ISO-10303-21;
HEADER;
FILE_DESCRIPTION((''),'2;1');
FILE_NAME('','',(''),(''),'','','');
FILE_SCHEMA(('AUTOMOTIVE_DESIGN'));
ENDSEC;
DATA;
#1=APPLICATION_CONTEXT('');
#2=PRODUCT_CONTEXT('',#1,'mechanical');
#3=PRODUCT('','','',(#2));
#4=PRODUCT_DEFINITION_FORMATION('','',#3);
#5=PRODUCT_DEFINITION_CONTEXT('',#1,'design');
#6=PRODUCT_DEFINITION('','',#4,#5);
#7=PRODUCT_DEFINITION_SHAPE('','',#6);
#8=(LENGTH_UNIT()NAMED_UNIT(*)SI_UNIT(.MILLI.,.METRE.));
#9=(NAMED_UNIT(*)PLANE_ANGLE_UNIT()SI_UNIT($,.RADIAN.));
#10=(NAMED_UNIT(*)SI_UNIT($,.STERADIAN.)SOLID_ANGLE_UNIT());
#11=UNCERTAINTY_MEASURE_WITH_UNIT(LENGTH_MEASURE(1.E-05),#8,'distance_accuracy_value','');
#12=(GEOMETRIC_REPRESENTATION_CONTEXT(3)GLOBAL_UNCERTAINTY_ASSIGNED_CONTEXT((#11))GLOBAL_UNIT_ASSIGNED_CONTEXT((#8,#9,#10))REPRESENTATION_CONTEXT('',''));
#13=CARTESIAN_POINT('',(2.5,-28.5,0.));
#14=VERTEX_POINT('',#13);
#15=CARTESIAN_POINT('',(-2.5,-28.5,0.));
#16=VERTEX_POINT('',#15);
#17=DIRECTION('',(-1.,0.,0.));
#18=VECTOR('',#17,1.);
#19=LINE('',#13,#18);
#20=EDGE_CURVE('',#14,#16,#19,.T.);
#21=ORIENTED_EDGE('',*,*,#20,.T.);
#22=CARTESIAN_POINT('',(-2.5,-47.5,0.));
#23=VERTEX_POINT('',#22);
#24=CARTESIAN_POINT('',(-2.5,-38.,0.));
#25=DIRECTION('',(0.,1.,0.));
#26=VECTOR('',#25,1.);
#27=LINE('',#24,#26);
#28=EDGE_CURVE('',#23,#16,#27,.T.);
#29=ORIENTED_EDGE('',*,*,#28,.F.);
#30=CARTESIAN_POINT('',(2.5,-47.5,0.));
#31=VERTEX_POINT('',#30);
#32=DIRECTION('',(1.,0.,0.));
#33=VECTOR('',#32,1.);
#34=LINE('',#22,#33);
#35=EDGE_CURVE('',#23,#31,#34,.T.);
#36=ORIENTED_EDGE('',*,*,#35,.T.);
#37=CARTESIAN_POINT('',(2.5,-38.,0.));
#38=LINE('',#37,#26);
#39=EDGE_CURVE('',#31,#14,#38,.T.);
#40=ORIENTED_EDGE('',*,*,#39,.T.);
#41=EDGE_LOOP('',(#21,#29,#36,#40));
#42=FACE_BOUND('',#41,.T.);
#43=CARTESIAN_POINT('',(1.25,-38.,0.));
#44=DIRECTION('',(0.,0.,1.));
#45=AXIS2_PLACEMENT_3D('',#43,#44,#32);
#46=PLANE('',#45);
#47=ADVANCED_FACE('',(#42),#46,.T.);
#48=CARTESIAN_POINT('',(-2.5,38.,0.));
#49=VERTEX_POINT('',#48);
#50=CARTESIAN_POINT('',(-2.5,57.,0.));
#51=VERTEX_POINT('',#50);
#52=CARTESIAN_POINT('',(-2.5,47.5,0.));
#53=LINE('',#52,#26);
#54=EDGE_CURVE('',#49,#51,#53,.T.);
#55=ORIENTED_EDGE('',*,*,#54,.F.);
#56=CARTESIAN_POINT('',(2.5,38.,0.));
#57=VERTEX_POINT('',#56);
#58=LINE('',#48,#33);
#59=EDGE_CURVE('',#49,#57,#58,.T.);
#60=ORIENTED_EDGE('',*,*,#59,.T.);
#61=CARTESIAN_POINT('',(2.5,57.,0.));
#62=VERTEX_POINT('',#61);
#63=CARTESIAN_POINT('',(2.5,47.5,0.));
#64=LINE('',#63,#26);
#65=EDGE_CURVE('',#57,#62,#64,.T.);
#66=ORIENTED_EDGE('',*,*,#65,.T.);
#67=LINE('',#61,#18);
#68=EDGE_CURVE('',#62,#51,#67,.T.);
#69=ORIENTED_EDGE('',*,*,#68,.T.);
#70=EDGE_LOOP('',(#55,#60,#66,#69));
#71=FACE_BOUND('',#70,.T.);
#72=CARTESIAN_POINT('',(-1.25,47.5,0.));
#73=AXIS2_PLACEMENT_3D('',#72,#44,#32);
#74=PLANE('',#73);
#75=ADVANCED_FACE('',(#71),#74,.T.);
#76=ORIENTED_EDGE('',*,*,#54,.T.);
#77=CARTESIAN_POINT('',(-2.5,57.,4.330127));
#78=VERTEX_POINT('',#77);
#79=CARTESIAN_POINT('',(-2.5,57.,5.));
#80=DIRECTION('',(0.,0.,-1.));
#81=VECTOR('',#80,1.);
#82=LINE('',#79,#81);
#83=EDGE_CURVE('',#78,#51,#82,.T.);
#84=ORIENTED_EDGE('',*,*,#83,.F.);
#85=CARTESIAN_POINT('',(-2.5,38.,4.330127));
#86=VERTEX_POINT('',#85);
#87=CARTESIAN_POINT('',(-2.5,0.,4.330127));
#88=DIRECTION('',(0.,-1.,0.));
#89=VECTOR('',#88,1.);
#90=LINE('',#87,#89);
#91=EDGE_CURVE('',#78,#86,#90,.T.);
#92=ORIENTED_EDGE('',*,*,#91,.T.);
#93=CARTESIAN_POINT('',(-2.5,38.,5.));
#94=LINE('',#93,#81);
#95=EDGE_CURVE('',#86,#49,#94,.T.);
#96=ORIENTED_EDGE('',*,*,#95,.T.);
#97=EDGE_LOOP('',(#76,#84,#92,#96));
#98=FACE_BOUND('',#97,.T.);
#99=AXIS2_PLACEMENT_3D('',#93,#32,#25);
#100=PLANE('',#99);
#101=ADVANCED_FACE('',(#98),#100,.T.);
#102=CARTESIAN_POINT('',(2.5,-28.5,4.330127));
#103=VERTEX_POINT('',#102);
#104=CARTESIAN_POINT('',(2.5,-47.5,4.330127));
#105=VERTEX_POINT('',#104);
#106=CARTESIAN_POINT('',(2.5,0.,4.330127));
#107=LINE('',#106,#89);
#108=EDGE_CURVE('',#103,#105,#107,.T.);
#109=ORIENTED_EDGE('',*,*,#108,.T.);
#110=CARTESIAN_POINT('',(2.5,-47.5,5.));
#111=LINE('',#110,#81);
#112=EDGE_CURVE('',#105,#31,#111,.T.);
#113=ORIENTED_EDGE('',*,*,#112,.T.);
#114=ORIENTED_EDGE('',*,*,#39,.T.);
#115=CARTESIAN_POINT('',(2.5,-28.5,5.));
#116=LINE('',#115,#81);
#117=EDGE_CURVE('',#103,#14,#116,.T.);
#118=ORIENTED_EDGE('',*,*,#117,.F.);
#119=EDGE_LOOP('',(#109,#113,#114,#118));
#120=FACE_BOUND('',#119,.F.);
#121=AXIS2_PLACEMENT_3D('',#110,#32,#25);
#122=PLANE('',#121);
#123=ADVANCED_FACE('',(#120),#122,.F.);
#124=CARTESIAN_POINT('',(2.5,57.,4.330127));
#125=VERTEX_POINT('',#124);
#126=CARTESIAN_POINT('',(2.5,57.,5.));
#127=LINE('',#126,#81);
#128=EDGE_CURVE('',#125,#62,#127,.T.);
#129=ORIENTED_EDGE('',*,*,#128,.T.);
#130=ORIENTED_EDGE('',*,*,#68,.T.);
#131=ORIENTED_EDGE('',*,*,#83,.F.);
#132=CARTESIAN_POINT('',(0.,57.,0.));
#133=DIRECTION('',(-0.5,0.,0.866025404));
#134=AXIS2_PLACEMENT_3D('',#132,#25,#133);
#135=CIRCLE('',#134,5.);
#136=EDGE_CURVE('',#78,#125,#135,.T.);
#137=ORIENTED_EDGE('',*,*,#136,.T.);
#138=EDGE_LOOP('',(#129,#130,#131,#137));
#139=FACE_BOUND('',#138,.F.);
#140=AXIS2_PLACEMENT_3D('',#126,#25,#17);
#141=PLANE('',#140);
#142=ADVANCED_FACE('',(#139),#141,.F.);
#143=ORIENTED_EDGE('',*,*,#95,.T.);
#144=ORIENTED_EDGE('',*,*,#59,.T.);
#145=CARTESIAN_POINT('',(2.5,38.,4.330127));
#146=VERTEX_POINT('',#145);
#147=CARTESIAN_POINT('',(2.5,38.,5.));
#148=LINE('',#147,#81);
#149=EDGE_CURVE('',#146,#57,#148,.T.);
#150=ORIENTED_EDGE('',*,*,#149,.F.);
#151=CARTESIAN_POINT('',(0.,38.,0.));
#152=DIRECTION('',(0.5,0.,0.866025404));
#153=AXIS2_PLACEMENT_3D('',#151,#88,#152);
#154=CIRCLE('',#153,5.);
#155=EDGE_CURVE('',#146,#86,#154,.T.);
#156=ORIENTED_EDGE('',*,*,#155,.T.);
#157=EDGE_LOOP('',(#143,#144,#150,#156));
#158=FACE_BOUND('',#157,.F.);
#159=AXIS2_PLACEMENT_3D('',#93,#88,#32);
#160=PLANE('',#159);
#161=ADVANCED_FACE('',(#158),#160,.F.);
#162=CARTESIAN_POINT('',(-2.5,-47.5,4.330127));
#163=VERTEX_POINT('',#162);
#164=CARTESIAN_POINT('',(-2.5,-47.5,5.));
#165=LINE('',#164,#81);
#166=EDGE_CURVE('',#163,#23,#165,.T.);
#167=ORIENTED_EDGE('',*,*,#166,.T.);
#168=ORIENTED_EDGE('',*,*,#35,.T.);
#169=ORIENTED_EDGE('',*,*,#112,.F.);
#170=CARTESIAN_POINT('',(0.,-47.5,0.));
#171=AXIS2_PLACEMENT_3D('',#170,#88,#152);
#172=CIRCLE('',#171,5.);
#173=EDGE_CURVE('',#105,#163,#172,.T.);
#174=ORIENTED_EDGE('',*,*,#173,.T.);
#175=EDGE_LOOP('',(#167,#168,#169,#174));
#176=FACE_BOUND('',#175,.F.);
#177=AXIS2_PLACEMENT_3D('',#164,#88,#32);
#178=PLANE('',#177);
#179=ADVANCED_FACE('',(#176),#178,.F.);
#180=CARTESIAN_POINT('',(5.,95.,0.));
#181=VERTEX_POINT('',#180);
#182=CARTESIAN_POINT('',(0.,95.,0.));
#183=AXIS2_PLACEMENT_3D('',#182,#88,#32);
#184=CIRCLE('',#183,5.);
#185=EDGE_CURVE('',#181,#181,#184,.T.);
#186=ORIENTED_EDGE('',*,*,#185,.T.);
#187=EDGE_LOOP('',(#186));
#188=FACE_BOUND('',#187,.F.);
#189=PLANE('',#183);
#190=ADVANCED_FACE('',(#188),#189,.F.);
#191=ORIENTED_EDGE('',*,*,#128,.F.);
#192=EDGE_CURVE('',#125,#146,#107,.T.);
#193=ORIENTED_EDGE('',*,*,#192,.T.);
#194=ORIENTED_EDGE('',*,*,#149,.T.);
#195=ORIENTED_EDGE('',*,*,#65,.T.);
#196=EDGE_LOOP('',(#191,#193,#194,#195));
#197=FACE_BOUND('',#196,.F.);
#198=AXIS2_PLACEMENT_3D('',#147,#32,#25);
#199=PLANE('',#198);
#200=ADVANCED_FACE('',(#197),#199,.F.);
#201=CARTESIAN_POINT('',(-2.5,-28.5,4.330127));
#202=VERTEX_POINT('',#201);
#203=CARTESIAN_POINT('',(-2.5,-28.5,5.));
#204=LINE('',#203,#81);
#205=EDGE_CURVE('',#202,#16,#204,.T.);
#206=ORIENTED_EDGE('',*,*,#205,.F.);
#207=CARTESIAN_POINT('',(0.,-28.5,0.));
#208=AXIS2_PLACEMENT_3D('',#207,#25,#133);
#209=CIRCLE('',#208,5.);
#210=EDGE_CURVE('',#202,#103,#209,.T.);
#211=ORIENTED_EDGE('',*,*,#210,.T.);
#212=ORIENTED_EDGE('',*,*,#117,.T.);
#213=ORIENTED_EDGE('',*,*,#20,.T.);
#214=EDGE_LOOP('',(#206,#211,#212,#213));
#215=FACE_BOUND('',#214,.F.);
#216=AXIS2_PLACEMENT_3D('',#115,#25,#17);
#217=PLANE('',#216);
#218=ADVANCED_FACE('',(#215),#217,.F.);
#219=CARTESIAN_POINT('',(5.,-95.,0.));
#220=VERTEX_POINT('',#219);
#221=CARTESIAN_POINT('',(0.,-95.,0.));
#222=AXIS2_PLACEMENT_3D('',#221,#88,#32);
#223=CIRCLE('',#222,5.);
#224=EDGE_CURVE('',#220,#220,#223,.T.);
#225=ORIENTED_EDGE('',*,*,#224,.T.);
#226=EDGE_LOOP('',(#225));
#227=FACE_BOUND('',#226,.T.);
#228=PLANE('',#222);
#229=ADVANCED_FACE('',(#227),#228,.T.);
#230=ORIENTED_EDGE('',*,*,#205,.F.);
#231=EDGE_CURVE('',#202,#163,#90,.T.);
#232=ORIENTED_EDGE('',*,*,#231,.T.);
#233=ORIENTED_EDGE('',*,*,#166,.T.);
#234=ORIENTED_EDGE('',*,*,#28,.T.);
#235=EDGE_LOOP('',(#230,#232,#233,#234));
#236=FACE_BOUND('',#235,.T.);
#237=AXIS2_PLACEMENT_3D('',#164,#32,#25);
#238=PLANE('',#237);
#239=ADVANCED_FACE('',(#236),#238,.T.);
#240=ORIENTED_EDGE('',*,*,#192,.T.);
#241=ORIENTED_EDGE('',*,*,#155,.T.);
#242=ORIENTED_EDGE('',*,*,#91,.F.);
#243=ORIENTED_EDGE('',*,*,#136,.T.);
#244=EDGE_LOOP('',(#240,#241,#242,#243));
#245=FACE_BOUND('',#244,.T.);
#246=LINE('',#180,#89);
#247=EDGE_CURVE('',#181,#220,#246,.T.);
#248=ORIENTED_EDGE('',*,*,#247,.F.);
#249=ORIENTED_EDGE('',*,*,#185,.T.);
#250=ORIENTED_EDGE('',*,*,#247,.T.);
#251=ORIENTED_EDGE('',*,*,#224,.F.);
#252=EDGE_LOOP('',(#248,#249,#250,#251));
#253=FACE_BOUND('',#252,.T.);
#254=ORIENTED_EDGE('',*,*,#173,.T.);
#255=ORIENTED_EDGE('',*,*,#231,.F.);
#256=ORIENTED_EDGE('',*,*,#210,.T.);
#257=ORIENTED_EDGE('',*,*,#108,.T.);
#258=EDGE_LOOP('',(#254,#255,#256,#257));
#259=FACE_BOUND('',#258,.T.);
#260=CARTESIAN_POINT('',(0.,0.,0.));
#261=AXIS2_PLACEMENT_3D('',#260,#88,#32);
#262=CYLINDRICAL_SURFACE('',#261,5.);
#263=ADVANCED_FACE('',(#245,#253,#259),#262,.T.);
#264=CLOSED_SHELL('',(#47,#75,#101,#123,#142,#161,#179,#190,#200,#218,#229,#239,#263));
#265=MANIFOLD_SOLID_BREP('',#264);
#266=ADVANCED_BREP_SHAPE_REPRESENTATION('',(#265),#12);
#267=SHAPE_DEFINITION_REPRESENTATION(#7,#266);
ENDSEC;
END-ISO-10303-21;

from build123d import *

# Parameters (mm, degrees)
F0_R     = 5
F1_DEPTH = 95
F3_W     = 2.5
F3_H     = 19
F4_DEPTH = 5


with BuildPart() as f1:
    # F0 (on Front) → F1 (new body, symmetric)
    with BuildSketch(Plane.XZ):
        Circle(F0_R)
    extrude(amount=F1_DEPTH, both=True)

    # F3 (on offset) → F4 (cut)
    with BuildSketch(Plane.XY.offset(5)):
        with Locations((1.25, -38)):
            Rectangle(F3_W, F3_H)
        with Locations((-1.25, -38)):
            Rectangle(F3_W, F3_H)
        with Locations((-1.25, 47.5)):
            Rectangle(F3_W, F3_H)
        with Locations((1.25, 47.5)):
            Rectangle(F3_W, F3_H)
    extrude(amount=-F4_DEPTH, mode=Mode.SUBTRACT)


solid = f1.part
